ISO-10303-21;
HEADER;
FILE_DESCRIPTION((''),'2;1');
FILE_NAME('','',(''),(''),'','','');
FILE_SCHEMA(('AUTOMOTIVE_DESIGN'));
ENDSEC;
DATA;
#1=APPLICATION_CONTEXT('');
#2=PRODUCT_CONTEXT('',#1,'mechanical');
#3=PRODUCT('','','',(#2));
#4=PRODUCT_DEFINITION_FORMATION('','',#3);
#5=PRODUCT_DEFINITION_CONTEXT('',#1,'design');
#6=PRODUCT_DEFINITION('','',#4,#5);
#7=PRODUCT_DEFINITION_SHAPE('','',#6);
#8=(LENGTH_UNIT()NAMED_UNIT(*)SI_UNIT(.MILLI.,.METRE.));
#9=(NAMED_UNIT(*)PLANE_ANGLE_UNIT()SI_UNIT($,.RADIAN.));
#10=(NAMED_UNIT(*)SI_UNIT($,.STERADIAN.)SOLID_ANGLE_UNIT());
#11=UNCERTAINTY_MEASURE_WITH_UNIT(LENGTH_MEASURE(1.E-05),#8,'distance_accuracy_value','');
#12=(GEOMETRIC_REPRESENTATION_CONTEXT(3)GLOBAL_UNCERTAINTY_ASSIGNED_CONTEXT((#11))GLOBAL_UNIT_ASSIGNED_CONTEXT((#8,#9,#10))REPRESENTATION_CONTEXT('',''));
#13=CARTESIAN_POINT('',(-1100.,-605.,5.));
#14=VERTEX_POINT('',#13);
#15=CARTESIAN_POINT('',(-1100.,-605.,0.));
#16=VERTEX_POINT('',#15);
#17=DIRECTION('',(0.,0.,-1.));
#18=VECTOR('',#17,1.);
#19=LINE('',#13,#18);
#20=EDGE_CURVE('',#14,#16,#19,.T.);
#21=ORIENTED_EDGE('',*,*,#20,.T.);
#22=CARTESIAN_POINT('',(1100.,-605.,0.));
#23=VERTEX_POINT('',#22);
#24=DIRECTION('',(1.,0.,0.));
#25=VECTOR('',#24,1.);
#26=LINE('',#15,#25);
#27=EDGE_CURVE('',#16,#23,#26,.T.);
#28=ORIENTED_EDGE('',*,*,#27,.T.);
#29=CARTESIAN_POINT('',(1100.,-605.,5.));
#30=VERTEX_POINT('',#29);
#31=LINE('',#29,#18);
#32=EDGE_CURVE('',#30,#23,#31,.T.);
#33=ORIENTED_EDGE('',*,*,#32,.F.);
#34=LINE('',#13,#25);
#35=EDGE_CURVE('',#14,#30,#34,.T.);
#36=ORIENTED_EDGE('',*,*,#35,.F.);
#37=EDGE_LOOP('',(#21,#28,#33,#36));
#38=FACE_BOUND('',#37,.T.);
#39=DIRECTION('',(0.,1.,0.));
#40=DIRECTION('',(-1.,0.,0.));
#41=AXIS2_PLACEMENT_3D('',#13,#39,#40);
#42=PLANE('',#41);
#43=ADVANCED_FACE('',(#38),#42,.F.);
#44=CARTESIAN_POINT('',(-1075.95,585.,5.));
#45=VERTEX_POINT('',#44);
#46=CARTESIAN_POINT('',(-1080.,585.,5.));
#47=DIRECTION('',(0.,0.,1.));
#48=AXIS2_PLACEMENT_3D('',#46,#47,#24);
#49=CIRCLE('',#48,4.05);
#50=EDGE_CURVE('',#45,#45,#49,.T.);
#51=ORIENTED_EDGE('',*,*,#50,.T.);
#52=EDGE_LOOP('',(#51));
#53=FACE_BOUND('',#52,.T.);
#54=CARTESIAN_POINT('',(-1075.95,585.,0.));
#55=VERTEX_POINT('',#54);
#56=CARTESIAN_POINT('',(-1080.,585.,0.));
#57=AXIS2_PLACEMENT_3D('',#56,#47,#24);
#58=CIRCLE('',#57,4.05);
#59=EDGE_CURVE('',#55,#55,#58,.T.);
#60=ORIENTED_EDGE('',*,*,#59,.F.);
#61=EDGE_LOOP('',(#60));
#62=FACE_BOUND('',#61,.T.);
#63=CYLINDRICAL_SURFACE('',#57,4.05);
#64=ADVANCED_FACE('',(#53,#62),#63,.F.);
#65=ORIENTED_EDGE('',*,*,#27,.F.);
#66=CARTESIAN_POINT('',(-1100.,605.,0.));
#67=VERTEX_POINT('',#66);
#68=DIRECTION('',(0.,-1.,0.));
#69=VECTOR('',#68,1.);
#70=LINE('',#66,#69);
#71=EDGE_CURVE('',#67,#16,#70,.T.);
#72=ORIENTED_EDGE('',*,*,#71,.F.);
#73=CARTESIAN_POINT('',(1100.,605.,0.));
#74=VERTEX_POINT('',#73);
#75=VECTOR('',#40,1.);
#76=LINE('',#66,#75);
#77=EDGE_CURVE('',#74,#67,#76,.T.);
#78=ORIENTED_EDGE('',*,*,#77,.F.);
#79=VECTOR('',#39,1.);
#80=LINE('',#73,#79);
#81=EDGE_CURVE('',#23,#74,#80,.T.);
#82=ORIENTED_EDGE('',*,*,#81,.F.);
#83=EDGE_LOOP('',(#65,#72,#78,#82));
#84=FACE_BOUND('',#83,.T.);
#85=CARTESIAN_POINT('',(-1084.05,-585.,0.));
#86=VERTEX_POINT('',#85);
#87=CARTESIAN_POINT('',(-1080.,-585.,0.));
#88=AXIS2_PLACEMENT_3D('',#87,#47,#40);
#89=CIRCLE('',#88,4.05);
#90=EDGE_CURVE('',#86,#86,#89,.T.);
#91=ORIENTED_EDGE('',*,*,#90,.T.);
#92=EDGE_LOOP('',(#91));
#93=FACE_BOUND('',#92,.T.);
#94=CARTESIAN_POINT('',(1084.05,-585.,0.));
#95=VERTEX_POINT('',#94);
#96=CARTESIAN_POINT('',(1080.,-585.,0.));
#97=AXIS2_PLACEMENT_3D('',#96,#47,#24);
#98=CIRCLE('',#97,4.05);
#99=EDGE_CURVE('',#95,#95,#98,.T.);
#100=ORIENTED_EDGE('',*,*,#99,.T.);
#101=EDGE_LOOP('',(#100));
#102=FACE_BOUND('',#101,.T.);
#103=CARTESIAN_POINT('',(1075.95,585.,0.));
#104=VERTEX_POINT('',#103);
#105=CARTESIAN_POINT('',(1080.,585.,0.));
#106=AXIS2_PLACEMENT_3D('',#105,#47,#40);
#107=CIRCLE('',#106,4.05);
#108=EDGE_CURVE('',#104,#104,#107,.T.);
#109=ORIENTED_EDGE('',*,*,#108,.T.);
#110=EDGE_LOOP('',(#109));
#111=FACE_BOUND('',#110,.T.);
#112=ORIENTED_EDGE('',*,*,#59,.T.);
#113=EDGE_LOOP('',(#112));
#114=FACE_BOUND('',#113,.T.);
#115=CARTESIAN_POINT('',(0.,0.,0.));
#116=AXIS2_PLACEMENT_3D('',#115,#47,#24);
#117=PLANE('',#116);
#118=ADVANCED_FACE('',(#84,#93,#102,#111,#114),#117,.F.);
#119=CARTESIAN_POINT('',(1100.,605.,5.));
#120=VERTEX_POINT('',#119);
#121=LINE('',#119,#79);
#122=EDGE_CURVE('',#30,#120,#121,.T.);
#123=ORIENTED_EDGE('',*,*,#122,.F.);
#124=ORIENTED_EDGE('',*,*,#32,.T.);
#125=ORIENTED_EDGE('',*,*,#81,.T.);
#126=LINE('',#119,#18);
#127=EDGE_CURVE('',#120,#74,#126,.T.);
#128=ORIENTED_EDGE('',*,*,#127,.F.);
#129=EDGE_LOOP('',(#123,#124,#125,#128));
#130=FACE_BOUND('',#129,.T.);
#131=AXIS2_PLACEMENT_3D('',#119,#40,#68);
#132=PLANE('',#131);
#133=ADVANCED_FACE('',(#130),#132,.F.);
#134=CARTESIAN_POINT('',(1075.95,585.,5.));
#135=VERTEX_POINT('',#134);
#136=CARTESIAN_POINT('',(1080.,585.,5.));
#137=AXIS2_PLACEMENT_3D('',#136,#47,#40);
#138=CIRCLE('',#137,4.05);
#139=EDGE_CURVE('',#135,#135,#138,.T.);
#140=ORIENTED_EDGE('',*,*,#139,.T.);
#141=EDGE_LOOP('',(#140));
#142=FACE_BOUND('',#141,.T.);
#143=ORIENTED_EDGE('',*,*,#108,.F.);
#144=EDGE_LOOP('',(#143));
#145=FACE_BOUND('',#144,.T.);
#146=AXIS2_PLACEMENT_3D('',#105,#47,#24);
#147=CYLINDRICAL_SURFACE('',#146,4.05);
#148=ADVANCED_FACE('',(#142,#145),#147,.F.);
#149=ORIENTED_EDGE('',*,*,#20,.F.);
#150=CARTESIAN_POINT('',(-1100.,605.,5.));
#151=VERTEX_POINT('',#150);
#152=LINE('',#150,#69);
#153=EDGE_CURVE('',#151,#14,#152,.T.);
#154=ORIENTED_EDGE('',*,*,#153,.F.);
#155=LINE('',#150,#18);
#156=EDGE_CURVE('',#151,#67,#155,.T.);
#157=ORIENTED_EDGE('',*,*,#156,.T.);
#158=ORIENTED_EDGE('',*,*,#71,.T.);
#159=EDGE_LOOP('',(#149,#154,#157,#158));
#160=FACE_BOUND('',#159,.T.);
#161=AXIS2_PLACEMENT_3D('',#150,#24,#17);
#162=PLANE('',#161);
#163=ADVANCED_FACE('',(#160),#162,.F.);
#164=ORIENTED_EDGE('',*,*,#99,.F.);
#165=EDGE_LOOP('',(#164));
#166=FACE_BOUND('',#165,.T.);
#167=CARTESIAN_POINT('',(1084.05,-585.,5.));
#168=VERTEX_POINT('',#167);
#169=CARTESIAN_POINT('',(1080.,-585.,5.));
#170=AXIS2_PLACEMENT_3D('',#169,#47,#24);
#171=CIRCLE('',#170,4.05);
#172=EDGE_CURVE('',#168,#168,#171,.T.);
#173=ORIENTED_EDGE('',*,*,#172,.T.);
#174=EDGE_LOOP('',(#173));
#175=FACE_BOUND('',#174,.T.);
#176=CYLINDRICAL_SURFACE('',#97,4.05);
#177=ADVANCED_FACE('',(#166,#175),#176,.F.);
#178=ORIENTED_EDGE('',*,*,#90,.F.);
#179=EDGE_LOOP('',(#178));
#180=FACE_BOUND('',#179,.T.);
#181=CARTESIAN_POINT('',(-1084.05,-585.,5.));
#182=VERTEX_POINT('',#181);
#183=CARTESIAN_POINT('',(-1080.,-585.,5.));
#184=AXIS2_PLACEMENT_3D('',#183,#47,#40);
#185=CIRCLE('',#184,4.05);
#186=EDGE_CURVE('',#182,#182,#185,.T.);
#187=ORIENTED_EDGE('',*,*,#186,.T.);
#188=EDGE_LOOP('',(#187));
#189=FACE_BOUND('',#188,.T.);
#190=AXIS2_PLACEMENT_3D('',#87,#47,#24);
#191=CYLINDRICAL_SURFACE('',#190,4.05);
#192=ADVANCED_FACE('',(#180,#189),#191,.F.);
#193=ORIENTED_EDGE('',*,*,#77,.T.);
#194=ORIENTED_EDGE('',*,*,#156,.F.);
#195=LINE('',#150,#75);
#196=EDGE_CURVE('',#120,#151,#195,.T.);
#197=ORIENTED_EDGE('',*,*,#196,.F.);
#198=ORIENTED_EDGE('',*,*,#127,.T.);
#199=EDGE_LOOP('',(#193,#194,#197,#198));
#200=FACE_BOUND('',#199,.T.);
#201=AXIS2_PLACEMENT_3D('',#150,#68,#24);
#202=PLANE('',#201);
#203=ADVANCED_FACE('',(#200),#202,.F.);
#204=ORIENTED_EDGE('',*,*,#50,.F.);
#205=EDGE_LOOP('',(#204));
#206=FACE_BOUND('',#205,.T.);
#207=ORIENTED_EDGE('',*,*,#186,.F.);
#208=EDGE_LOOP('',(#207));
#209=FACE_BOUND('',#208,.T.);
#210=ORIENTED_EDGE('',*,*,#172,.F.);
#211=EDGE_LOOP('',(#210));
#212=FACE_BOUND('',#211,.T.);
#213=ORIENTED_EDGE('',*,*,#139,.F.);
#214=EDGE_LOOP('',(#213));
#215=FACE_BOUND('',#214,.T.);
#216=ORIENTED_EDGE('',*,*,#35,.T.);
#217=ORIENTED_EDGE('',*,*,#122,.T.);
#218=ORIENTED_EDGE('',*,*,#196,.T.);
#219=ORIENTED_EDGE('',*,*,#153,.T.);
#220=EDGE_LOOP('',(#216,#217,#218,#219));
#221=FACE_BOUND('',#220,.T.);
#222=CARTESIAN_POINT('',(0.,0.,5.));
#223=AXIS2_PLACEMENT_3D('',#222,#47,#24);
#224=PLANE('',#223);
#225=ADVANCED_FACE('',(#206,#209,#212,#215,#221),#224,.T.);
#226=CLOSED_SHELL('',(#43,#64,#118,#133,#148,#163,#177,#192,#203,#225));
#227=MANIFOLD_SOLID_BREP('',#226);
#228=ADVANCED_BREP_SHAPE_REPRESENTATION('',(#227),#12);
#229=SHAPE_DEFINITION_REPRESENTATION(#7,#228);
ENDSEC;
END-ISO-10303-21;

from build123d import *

# Parameters (mm, degrees)
SKETCH_1_W          = 2200
SKETCH_1_H          = 1210
EXTRUDE_1_DEPTH     = 5
SKETCH_3_R          = 4.05
CUT_EXTRUDE_1_DEPTH = 5


with BuildPart() as part:
    # 草图1 → 凸台-拉伸1 (new body)
    with BuildSketch(Plane.XY):
        Rectangle(SKETCH_1_W, SKETCH_1_H)
    extrude(amount=EXTRUDE_1_DEPTH)

    # 草图3 → 切除-拉伸1 (cut)
    with BuildSketch(Plane.XY.offset(5)):
        with Locations((-1080, 585)):
            Circle(SKETCH_3_R)
        with Locations(Location((-1080, -585, 0), (0, 0, 180))):
            Circle(SKETCH_3_R)
        with Locations((1080, -585)):
            Circle(SKETCH_3_R)
        with Locations(Location((1080, 585, 0), (0, 0, 180))):
            Circle(SKETCH_3_R)
    extrude(amount=-CUT_EXTRUDE_1_DEPTH, mode=Mode.SUBTRACT)


solid = part.part
